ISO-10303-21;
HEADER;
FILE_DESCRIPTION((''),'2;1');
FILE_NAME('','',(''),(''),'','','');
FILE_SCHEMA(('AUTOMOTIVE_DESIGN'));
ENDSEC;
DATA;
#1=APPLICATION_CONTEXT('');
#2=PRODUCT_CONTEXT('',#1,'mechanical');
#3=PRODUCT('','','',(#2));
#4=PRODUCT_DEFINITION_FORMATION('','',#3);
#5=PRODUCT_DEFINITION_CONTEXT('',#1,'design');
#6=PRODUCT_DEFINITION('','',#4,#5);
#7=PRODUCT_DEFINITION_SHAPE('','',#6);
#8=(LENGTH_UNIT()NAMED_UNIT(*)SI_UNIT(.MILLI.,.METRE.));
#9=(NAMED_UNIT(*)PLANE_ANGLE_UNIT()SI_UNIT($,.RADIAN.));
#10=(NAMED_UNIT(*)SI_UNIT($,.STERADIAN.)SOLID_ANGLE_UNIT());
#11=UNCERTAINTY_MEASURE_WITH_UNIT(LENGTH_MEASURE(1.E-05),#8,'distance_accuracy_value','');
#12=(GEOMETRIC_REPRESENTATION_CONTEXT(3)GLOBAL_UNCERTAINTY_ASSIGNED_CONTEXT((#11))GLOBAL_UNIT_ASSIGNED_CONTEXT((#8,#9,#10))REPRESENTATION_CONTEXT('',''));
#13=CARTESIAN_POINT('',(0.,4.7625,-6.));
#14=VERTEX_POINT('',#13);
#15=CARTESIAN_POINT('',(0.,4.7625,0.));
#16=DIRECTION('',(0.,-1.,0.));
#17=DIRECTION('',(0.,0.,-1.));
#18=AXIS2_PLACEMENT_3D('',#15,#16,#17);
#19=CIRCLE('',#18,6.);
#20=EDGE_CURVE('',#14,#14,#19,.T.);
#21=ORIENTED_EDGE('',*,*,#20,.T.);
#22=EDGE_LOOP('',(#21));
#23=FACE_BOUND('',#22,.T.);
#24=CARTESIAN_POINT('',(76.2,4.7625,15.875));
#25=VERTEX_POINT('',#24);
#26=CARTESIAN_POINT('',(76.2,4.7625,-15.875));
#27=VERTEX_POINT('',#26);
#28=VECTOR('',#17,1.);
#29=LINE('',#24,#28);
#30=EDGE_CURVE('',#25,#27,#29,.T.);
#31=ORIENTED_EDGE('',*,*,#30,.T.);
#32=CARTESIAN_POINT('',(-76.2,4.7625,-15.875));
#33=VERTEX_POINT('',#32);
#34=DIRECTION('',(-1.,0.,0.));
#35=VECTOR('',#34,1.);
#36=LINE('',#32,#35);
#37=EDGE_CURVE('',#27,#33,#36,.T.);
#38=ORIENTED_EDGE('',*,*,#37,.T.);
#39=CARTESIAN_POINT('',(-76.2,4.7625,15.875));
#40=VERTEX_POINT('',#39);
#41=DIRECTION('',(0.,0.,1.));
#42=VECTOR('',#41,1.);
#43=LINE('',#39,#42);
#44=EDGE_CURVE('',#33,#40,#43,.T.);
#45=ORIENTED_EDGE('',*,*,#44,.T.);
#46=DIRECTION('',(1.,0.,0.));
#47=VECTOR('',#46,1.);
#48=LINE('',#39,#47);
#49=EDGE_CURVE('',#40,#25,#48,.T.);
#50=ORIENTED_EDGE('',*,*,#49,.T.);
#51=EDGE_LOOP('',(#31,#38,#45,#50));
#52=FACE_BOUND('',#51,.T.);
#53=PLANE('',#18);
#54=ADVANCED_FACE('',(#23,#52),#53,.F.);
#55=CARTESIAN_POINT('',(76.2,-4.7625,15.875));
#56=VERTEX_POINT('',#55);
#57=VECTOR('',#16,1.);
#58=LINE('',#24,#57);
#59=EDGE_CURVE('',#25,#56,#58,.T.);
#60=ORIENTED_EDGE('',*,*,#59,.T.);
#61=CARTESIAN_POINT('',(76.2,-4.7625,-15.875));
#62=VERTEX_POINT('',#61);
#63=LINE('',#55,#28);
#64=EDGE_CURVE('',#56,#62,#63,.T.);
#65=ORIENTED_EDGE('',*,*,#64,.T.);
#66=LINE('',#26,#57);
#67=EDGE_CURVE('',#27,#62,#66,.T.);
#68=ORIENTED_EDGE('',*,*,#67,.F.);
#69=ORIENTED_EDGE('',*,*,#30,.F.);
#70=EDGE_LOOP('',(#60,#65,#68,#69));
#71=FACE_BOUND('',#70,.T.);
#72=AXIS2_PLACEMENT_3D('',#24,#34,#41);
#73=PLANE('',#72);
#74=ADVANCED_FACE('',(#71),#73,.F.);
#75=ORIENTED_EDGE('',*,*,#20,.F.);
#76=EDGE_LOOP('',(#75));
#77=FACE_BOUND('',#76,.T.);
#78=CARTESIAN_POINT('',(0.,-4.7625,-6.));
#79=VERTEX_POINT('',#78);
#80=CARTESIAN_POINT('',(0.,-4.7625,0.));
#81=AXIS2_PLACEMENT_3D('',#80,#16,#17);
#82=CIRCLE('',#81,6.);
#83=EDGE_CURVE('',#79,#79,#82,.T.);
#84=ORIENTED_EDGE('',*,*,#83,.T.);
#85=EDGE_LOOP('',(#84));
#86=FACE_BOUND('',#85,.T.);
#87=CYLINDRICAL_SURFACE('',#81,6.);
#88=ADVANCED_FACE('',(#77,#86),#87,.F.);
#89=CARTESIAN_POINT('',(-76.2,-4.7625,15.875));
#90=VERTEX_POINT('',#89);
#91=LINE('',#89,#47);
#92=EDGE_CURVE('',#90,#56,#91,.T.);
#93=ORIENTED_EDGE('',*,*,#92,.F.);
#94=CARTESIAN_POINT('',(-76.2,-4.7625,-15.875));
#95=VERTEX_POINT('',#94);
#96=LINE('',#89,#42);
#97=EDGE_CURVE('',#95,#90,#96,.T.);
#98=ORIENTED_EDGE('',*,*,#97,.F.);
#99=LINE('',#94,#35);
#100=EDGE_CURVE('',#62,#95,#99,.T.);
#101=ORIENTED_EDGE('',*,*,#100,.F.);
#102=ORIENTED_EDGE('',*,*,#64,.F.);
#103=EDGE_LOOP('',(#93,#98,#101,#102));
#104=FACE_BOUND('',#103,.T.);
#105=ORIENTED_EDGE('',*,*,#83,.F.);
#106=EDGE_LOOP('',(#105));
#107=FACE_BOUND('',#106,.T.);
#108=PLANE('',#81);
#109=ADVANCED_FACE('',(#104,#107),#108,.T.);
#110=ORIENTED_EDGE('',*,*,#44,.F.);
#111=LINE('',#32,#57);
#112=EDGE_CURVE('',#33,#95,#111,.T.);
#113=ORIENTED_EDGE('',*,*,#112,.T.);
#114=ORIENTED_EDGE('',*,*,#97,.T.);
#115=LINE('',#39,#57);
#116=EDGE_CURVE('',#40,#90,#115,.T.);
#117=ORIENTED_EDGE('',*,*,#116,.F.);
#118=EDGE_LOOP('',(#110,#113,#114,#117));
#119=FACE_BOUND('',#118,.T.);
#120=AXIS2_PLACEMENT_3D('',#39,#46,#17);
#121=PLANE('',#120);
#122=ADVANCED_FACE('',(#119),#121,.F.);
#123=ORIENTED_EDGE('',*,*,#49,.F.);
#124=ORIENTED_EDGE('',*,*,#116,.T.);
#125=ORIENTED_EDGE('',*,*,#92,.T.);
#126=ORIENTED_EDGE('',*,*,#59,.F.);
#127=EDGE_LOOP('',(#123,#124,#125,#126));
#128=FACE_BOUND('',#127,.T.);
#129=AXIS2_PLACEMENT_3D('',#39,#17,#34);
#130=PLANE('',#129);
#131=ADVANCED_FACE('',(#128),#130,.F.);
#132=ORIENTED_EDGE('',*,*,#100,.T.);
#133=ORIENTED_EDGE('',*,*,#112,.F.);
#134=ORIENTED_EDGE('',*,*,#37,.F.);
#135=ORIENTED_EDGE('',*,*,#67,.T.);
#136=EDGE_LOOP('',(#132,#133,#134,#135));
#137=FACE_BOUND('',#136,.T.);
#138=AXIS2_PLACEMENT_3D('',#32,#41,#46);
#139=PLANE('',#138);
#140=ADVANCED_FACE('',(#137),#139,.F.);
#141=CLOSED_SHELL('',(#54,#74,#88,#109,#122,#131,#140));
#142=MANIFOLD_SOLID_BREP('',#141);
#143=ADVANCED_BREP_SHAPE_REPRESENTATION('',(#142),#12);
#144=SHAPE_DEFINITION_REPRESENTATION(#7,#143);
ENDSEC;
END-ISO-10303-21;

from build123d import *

# Parameters (mm, degrees)
SKETCH1_W              = 152.4
SKETCH1_H              = 31.75
BOSS_EXTRUDE1_DEPTH    = 4.7625
F_12_0MM_DOWEL_HOLE1_D = 12


with BuildPart() as part:
    # Sketch1 → Boss-Extrude1 (new, symmetric)
    with BuildSketch(Plane(origin=(0, 0, 0), x_dir=(1, 0, 0), z_dir=(0, 1, 0))):
        Rectangle(SKETCH1_W, SKETCH1_H)
    extrude(amount=BOSS_EXTRUDE1_DEPTH, both=True)

    # Ø12.0mm Dowel Hole1 (through all)
    with Locations(Plane(origin=(0, -4.7625, 0), x_dir=(-1, 0, 0), z_dir=(0, -1, 0))):
        with Locations((0, 0)):
            Hole(F_12_0MM_DOWEL_HOLE1_D / 2)


solid = part.part
